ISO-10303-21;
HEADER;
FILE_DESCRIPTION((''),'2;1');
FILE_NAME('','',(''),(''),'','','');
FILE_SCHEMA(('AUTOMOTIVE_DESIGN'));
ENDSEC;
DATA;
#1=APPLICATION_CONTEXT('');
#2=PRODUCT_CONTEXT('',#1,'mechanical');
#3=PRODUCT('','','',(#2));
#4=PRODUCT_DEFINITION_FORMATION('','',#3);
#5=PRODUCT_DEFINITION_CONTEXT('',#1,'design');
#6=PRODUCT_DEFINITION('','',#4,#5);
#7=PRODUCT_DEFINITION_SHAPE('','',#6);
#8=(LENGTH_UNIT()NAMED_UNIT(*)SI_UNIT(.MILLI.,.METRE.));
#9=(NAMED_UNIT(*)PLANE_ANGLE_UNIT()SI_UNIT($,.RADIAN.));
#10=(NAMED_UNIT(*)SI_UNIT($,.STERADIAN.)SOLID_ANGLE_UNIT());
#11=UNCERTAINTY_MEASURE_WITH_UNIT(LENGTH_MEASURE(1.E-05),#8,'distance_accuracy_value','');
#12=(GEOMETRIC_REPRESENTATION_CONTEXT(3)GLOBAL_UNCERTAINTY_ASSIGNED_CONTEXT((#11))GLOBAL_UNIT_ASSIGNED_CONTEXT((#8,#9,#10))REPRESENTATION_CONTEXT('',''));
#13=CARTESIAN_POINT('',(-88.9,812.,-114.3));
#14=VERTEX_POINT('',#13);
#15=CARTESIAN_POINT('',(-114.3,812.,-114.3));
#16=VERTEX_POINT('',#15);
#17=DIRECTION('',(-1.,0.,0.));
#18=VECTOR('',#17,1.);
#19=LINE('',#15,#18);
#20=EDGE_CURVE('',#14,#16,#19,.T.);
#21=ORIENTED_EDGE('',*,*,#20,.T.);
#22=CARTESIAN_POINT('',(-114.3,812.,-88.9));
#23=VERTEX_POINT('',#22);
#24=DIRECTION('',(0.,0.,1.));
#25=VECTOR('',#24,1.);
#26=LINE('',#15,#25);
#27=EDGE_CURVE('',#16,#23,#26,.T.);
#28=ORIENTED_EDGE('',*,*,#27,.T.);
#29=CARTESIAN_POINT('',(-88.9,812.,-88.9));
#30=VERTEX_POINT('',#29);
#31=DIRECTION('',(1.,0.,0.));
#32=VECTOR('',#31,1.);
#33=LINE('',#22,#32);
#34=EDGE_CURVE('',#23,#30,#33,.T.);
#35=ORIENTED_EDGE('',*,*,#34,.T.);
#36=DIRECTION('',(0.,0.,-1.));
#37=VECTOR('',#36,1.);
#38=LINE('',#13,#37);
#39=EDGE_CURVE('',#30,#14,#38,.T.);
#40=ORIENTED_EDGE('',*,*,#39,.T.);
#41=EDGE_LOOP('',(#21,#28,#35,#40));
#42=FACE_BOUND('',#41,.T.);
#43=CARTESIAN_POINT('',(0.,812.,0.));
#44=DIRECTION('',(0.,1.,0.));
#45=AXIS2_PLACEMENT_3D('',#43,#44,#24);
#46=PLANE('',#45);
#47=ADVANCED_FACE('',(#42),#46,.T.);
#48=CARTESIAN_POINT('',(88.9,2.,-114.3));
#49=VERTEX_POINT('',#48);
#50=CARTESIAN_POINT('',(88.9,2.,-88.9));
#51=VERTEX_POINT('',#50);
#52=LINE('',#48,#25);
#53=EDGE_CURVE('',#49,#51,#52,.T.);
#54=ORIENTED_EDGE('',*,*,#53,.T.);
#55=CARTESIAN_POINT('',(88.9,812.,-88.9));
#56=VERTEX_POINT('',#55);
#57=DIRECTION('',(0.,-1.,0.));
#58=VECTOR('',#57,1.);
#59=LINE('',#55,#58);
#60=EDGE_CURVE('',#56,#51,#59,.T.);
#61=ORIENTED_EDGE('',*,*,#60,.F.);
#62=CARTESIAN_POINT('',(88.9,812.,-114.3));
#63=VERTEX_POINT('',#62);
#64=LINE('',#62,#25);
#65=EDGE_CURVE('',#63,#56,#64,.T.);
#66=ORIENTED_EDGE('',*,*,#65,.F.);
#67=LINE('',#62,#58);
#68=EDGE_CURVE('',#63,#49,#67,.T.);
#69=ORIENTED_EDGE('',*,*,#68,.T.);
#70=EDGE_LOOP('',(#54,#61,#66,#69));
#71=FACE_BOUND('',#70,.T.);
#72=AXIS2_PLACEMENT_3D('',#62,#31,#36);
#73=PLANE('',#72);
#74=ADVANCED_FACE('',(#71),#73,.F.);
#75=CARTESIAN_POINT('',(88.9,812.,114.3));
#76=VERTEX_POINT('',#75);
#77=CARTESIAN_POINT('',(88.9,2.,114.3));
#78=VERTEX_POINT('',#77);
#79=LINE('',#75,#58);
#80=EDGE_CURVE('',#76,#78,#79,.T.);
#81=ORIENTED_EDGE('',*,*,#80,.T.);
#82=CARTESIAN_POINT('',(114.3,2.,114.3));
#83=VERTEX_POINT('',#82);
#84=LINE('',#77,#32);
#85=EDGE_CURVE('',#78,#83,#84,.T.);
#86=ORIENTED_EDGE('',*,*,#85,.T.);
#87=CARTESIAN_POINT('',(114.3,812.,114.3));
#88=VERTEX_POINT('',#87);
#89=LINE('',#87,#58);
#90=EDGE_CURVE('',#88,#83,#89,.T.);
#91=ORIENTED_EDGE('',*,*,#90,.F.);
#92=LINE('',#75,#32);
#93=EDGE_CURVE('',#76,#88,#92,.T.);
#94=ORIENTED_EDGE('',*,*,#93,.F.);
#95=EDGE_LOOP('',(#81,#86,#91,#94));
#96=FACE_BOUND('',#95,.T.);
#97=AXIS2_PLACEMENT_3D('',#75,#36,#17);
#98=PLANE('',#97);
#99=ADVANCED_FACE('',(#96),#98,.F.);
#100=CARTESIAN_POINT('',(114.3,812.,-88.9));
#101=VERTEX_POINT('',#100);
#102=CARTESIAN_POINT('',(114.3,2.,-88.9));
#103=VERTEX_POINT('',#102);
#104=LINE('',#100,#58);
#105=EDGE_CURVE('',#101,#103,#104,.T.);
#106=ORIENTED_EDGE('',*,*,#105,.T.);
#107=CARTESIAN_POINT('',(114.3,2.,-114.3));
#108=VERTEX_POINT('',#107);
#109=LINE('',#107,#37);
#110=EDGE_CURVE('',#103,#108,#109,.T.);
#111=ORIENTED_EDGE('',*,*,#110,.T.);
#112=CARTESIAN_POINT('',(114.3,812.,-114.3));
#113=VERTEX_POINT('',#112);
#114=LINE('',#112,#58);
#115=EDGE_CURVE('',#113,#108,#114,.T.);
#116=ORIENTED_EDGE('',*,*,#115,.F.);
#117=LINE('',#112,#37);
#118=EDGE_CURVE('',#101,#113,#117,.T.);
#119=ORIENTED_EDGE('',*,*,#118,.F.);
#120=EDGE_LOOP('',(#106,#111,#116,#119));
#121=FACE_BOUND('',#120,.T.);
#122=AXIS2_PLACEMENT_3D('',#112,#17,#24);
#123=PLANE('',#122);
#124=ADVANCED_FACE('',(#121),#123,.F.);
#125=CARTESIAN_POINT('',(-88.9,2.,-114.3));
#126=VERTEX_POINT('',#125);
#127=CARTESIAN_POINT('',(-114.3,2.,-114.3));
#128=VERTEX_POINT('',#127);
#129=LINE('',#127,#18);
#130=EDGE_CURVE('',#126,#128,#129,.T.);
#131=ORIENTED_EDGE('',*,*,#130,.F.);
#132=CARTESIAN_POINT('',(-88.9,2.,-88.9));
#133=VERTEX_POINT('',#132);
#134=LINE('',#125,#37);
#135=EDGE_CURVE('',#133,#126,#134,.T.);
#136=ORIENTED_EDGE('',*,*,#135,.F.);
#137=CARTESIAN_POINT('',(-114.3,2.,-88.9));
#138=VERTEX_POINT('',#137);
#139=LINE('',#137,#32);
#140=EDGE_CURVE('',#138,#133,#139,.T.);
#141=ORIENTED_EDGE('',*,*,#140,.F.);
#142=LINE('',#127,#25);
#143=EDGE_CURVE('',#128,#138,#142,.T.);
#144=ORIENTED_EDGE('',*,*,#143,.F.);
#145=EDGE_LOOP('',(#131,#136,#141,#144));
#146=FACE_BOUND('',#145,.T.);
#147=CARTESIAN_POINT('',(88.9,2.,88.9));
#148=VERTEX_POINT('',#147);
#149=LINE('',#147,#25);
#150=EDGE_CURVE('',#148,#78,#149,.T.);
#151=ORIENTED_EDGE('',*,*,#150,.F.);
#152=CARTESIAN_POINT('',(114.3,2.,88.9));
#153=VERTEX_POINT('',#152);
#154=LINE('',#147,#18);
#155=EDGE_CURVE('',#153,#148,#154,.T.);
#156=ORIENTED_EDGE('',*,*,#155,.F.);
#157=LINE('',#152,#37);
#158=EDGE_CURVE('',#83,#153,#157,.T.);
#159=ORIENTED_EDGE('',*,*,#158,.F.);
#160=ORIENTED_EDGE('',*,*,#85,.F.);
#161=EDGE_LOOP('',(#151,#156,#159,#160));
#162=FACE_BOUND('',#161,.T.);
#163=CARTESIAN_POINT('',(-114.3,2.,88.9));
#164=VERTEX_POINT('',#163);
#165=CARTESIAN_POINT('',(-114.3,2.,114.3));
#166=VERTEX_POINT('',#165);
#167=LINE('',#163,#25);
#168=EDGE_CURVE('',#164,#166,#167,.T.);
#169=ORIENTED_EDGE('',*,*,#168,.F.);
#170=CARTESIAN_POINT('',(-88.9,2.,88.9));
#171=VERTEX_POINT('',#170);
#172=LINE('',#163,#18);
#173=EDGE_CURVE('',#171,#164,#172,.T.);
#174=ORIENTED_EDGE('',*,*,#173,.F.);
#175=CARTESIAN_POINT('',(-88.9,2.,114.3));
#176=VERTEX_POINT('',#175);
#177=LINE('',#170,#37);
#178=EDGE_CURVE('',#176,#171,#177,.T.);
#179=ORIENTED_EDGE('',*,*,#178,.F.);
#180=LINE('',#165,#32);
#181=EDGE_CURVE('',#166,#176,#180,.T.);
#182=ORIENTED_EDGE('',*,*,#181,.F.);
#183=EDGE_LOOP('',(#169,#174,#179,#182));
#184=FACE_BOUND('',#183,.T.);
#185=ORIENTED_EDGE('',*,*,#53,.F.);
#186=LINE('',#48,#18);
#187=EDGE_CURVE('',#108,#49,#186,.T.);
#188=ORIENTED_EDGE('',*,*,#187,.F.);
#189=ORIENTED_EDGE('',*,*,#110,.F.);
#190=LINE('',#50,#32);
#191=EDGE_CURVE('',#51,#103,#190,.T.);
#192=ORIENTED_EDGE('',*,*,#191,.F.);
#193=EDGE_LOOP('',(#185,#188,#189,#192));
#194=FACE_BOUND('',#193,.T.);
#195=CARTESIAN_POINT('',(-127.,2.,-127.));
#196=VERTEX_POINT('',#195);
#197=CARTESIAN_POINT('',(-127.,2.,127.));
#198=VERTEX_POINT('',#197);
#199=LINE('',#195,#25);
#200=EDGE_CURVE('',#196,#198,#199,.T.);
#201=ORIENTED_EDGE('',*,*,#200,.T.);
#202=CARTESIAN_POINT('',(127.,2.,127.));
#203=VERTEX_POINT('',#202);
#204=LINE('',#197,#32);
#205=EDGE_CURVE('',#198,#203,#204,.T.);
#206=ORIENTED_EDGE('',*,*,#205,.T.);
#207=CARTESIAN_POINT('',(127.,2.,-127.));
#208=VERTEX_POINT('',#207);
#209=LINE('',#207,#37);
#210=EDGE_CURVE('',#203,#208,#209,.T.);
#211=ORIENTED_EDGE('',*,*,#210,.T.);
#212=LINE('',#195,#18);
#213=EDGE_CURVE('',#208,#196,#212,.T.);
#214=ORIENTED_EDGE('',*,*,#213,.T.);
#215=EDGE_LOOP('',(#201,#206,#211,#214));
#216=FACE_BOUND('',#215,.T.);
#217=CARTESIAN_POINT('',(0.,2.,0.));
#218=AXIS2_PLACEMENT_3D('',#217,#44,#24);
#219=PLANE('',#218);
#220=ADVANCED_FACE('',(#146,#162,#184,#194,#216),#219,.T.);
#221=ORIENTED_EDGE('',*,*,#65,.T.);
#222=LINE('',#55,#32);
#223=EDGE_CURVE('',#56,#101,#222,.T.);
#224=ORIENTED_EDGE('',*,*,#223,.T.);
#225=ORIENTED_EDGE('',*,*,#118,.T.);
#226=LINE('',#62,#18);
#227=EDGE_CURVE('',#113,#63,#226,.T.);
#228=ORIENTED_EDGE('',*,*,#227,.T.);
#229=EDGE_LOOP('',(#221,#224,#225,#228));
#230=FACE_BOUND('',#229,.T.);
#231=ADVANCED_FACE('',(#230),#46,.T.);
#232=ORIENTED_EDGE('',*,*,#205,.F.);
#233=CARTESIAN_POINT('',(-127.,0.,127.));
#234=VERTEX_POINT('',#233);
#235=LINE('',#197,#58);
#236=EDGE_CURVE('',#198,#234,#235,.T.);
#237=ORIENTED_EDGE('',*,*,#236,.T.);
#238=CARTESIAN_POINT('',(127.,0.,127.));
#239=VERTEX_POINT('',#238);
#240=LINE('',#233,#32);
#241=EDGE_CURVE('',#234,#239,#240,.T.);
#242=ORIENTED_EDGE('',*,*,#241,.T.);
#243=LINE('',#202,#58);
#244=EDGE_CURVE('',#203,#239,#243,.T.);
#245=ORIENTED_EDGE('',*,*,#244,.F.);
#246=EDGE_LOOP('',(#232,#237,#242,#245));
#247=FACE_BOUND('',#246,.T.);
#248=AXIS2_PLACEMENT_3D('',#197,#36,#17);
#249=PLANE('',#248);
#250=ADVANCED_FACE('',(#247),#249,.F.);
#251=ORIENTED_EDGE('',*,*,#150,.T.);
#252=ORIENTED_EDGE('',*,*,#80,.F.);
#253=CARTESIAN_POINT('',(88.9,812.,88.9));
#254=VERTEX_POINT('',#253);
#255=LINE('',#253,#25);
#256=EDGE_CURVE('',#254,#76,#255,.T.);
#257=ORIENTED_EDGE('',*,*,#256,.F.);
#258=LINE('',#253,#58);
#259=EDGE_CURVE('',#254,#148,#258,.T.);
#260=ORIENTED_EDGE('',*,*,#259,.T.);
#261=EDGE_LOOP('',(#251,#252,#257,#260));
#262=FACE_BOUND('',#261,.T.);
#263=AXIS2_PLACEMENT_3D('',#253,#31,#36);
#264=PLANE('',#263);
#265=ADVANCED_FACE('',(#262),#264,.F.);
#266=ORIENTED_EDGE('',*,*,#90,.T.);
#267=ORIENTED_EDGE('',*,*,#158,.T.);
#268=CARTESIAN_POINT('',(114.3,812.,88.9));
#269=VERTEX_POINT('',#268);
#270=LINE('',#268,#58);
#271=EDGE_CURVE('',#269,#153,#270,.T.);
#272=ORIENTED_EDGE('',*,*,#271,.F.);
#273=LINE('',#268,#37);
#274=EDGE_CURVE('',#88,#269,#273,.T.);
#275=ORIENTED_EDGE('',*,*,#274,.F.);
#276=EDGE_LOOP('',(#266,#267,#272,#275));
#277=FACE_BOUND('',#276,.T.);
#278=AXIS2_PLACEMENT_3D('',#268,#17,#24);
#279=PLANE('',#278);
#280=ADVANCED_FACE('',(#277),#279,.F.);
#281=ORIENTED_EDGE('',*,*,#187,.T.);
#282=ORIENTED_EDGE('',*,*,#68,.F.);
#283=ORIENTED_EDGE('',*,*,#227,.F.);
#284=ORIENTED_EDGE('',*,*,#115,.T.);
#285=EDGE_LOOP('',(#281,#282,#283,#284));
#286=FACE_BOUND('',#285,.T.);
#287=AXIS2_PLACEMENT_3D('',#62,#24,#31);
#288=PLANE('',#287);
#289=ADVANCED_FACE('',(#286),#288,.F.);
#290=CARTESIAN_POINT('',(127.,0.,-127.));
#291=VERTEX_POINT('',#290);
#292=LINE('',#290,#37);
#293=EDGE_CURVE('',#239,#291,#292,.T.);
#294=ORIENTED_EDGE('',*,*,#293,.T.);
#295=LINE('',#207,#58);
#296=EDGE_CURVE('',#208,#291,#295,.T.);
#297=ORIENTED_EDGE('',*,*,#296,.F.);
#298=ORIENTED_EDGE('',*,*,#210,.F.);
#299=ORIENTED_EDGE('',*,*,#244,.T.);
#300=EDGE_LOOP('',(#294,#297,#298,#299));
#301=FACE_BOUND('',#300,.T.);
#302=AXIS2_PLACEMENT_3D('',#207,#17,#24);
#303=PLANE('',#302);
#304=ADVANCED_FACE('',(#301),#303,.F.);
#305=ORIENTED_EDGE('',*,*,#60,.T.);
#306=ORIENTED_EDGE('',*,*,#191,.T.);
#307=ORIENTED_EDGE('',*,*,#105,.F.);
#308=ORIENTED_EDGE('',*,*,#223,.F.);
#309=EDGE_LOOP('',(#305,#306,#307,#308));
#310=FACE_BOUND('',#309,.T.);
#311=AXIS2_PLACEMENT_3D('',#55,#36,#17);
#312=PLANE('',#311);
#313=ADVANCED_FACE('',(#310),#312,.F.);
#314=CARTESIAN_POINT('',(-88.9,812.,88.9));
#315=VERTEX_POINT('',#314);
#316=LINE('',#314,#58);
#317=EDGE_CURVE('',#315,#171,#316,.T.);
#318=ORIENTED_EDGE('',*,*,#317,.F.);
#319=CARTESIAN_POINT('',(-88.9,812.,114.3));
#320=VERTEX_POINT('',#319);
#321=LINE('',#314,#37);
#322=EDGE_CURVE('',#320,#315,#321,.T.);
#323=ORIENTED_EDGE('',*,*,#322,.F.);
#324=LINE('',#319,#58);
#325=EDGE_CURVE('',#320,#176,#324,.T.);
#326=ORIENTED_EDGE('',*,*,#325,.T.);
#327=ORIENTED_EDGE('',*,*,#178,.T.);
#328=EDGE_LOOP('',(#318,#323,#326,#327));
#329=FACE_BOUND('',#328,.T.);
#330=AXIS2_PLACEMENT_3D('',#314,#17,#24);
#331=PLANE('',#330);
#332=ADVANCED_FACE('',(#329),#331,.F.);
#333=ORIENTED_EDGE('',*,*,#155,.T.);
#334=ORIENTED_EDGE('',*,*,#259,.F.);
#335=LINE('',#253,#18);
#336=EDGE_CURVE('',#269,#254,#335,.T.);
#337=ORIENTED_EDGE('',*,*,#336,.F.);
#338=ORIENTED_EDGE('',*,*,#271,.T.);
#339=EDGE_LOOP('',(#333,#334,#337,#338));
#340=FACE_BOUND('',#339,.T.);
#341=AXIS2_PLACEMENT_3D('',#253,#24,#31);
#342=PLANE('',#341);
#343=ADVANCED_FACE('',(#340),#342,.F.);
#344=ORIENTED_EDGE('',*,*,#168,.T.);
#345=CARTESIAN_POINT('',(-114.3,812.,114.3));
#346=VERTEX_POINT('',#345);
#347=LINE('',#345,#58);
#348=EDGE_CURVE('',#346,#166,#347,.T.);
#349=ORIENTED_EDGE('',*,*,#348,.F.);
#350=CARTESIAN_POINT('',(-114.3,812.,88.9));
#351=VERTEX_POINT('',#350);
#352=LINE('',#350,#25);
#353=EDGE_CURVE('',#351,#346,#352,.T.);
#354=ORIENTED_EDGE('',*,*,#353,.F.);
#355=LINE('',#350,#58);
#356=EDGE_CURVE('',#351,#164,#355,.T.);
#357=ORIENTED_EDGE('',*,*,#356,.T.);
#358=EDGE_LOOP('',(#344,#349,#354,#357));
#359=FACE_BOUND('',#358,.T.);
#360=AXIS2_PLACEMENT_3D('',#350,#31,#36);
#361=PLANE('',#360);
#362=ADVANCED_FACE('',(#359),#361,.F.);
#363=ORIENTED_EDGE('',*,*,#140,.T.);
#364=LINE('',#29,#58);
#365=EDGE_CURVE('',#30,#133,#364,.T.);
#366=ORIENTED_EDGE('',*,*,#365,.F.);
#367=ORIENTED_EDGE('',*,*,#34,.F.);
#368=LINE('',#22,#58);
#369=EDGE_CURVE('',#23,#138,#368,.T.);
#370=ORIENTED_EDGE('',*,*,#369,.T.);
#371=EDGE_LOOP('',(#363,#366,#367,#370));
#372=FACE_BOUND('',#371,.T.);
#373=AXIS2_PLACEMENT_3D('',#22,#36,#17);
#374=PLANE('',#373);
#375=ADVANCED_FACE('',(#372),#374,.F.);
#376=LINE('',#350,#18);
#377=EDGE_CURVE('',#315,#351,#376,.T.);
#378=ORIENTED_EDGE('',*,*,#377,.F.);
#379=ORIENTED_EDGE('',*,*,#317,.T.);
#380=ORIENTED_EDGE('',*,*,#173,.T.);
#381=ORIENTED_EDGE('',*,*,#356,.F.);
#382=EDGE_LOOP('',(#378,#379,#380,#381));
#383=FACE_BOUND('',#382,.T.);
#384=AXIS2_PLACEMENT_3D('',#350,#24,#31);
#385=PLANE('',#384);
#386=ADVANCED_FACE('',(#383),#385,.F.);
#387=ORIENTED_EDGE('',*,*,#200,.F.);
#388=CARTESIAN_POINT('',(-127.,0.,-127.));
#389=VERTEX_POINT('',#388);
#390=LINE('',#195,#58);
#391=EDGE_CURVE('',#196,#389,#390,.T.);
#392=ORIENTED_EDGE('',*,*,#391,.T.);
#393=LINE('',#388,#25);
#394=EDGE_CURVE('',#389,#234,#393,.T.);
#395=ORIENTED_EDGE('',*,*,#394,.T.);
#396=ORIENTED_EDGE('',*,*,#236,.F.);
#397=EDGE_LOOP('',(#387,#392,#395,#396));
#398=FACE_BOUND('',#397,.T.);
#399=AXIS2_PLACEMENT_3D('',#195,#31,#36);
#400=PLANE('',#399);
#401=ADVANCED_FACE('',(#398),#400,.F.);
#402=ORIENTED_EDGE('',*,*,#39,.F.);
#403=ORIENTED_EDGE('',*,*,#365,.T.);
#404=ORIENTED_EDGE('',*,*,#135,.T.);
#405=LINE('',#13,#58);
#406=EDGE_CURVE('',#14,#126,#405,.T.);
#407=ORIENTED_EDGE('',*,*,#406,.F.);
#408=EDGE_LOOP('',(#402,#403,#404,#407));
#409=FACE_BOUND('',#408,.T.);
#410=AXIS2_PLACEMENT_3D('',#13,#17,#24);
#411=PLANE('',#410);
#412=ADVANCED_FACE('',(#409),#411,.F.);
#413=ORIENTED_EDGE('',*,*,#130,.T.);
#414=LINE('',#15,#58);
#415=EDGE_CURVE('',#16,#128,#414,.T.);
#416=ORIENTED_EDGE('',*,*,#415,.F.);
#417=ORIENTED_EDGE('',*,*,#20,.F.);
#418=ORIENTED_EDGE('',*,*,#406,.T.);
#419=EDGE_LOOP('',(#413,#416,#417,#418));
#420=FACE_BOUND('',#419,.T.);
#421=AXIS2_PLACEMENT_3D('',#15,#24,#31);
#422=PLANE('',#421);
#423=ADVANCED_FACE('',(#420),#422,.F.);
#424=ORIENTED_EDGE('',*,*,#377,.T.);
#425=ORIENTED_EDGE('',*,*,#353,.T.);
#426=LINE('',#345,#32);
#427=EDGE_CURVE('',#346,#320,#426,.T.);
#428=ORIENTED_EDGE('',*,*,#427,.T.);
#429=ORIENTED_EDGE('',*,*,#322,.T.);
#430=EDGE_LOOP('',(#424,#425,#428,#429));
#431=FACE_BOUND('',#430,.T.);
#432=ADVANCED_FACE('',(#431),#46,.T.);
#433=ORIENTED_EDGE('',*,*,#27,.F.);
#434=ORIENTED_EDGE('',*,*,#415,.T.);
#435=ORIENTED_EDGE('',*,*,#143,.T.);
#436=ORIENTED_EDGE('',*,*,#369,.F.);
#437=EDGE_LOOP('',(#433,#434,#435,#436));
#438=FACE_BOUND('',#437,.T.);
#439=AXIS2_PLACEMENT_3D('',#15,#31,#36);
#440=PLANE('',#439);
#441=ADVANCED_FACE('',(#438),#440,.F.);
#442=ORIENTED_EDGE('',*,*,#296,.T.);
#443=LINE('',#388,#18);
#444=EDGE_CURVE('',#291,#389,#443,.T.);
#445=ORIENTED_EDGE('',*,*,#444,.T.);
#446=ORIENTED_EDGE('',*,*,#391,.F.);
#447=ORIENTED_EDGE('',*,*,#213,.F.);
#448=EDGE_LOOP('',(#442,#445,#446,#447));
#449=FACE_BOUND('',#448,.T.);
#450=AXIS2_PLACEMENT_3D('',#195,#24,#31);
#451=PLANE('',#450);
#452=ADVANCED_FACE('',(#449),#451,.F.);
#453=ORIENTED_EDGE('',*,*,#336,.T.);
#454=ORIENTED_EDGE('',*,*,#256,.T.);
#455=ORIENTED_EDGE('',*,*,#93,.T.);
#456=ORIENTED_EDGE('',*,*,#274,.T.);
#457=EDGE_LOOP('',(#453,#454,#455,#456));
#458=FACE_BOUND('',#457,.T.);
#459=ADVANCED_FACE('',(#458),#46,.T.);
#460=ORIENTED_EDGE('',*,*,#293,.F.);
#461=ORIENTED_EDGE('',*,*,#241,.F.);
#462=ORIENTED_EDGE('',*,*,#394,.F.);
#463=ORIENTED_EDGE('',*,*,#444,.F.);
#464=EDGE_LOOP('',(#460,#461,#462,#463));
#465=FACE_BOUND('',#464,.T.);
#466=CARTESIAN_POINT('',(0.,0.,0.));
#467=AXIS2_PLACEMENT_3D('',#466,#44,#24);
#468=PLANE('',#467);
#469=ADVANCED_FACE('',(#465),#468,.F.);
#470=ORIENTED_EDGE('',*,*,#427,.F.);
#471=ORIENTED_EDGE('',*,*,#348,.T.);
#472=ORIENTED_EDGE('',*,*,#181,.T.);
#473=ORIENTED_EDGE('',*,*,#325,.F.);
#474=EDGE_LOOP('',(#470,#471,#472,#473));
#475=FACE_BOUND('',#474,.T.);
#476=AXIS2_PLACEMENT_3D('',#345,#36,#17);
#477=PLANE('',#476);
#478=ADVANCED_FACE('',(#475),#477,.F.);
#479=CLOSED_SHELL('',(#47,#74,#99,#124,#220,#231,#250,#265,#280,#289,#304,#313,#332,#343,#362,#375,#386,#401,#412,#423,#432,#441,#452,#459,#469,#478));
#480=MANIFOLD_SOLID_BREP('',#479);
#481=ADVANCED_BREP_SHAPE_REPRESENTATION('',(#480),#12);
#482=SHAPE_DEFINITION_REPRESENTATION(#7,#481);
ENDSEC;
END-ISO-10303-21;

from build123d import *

# Parameters (mm, degrees)
SKETCH1_W           = 254
SKETCH1_H           = 254
BOSS_EXTRUDE1_DEPTH = 2
SKETCH2_W           = 25.4
SKETCH2_H           = 25.4
BOSS_EXTRUDE2_DEPTH = 810


with BuildPart() as part:
    # Sketch1 → Boss-Extrude1 (new body)
    with BuildSketch(Plane(origin=(0, 0, 0), x_dir=(1, 0, 0), z_dir=(0, 1, 0))):
        Rectangle(SKETCH1_W, SKETCH1_H)
    extrude(amount=BOSS_EXTRUDE1_DEPTH)

    # Sketch2 → Boss-Extrude2 (add)
    with BuildSketch(Plane(origin=(0, 2, 0), x_dir=(1, 0, 0), z_dir=(0, 1, 0))):
        with Locations((-101.6, 101.6)):
            Rectangle(SKETCH2_W, SKETCH2_H)
        with Locations((-101.6, -101.6)):
            Rectangle(SKETCH2_W, SKETCH2_H)
        with Locations((101.6, -101.6)):
            Rectangle(SKETCH2_W, SKETCH2_H)
        with Locations((101.6, 101.6)):
            Rectangle(SKETCH2_W, SKETCH2_H)
    extrude(amount=BOSS_EXTRUDE2_DEPTH)


solid = part.part
